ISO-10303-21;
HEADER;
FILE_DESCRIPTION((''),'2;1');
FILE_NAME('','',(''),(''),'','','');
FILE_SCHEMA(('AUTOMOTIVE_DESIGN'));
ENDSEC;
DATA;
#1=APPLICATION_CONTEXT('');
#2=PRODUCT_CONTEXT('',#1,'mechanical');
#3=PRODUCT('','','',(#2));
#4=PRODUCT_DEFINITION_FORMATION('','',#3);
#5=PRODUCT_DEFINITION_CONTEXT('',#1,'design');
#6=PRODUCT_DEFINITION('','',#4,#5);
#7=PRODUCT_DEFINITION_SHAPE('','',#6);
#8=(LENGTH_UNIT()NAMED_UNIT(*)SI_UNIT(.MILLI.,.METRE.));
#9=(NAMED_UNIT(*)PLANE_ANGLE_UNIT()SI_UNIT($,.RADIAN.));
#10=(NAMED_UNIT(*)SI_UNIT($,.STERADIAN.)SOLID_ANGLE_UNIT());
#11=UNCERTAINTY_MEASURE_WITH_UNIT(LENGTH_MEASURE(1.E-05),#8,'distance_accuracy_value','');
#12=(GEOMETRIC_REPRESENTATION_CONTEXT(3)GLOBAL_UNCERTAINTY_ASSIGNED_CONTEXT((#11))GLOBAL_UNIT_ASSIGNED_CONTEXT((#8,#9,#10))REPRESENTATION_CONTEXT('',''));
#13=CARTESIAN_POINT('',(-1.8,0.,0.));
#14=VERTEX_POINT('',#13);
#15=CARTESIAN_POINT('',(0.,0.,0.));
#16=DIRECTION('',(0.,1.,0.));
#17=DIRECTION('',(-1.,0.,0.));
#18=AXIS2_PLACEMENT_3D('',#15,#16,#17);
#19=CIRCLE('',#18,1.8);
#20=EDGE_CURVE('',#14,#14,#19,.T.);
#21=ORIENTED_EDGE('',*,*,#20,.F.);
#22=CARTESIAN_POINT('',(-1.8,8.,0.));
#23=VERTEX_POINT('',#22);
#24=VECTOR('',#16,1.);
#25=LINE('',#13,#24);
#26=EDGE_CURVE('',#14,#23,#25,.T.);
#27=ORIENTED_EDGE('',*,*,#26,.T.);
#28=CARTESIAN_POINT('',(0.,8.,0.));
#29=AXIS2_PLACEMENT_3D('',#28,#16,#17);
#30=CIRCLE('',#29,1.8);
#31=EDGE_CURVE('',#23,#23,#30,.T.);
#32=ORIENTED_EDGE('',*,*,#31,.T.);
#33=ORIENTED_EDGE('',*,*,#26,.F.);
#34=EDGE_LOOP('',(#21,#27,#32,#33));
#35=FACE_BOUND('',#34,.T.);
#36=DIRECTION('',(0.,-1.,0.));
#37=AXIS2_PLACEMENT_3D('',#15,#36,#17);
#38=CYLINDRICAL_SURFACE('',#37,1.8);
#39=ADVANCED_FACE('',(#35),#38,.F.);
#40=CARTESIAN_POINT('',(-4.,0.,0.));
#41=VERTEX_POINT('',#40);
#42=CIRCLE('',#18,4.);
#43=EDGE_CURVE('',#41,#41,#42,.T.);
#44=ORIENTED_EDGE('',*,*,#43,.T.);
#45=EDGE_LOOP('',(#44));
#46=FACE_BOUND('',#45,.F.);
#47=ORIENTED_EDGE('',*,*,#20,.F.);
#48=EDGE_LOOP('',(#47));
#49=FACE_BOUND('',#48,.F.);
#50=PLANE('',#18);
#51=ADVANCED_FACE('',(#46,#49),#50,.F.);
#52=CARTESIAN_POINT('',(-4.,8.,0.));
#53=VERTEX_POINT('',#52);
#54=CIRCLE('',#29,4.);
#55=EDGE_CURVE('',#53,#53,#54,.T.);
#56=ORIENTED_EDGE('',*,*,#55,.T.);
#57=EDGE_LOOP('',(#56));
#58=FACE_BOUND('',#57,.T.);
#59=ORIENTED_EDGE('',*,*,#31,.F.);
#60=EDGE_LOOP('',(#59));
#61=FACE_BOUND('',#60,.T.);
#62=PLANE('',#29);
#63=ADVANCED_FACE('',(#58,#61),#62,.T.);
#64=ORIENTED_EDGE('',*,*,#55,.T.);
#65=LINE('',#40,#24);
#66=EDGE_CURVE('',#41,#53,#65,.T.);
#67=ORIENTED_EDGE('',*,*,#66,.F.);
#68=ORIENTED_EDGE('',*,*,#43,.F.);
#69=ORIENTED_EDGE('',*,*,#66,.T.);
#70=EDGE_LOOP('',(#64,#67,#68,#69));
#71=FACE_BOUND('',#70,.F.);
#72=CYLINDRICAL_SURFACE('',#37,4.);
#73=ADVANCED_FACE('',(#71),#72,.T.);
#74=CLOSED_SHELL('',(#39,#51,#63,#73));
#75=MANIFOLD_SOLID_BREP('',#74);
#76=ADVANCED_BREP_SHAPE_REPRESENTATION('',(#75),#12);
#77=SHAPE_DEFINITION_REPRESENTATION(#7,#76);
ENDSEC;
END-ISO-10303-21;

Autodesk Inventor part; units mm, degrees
ref_plane "YZ Plane" through (0, 0, 0) normal (1, 0, 0) x (0, 1, 0)
ref_plane "XZ Plane" through (0, 0, 0) normal (0, 1, 0) x (-1, 0, 0)
ref_plane "XY Plane" through (0, 0, 0) normal (0, 0, 1) x (1, 0, 0)
sketch "Boceto1" plane through (0, 0, 0) normal (0, 1, 0) x (-1, 0, 0)
  circle A0 centre (0, 0) radius 1.8
  circle A1 centre (0, 0) radius 4
  dimension "d0" = 3.6
  dimension "d1" = 8
extrude "Extrusión1" add sketch "Boceto1" along normal blind 8
properties part number "m3separator"
